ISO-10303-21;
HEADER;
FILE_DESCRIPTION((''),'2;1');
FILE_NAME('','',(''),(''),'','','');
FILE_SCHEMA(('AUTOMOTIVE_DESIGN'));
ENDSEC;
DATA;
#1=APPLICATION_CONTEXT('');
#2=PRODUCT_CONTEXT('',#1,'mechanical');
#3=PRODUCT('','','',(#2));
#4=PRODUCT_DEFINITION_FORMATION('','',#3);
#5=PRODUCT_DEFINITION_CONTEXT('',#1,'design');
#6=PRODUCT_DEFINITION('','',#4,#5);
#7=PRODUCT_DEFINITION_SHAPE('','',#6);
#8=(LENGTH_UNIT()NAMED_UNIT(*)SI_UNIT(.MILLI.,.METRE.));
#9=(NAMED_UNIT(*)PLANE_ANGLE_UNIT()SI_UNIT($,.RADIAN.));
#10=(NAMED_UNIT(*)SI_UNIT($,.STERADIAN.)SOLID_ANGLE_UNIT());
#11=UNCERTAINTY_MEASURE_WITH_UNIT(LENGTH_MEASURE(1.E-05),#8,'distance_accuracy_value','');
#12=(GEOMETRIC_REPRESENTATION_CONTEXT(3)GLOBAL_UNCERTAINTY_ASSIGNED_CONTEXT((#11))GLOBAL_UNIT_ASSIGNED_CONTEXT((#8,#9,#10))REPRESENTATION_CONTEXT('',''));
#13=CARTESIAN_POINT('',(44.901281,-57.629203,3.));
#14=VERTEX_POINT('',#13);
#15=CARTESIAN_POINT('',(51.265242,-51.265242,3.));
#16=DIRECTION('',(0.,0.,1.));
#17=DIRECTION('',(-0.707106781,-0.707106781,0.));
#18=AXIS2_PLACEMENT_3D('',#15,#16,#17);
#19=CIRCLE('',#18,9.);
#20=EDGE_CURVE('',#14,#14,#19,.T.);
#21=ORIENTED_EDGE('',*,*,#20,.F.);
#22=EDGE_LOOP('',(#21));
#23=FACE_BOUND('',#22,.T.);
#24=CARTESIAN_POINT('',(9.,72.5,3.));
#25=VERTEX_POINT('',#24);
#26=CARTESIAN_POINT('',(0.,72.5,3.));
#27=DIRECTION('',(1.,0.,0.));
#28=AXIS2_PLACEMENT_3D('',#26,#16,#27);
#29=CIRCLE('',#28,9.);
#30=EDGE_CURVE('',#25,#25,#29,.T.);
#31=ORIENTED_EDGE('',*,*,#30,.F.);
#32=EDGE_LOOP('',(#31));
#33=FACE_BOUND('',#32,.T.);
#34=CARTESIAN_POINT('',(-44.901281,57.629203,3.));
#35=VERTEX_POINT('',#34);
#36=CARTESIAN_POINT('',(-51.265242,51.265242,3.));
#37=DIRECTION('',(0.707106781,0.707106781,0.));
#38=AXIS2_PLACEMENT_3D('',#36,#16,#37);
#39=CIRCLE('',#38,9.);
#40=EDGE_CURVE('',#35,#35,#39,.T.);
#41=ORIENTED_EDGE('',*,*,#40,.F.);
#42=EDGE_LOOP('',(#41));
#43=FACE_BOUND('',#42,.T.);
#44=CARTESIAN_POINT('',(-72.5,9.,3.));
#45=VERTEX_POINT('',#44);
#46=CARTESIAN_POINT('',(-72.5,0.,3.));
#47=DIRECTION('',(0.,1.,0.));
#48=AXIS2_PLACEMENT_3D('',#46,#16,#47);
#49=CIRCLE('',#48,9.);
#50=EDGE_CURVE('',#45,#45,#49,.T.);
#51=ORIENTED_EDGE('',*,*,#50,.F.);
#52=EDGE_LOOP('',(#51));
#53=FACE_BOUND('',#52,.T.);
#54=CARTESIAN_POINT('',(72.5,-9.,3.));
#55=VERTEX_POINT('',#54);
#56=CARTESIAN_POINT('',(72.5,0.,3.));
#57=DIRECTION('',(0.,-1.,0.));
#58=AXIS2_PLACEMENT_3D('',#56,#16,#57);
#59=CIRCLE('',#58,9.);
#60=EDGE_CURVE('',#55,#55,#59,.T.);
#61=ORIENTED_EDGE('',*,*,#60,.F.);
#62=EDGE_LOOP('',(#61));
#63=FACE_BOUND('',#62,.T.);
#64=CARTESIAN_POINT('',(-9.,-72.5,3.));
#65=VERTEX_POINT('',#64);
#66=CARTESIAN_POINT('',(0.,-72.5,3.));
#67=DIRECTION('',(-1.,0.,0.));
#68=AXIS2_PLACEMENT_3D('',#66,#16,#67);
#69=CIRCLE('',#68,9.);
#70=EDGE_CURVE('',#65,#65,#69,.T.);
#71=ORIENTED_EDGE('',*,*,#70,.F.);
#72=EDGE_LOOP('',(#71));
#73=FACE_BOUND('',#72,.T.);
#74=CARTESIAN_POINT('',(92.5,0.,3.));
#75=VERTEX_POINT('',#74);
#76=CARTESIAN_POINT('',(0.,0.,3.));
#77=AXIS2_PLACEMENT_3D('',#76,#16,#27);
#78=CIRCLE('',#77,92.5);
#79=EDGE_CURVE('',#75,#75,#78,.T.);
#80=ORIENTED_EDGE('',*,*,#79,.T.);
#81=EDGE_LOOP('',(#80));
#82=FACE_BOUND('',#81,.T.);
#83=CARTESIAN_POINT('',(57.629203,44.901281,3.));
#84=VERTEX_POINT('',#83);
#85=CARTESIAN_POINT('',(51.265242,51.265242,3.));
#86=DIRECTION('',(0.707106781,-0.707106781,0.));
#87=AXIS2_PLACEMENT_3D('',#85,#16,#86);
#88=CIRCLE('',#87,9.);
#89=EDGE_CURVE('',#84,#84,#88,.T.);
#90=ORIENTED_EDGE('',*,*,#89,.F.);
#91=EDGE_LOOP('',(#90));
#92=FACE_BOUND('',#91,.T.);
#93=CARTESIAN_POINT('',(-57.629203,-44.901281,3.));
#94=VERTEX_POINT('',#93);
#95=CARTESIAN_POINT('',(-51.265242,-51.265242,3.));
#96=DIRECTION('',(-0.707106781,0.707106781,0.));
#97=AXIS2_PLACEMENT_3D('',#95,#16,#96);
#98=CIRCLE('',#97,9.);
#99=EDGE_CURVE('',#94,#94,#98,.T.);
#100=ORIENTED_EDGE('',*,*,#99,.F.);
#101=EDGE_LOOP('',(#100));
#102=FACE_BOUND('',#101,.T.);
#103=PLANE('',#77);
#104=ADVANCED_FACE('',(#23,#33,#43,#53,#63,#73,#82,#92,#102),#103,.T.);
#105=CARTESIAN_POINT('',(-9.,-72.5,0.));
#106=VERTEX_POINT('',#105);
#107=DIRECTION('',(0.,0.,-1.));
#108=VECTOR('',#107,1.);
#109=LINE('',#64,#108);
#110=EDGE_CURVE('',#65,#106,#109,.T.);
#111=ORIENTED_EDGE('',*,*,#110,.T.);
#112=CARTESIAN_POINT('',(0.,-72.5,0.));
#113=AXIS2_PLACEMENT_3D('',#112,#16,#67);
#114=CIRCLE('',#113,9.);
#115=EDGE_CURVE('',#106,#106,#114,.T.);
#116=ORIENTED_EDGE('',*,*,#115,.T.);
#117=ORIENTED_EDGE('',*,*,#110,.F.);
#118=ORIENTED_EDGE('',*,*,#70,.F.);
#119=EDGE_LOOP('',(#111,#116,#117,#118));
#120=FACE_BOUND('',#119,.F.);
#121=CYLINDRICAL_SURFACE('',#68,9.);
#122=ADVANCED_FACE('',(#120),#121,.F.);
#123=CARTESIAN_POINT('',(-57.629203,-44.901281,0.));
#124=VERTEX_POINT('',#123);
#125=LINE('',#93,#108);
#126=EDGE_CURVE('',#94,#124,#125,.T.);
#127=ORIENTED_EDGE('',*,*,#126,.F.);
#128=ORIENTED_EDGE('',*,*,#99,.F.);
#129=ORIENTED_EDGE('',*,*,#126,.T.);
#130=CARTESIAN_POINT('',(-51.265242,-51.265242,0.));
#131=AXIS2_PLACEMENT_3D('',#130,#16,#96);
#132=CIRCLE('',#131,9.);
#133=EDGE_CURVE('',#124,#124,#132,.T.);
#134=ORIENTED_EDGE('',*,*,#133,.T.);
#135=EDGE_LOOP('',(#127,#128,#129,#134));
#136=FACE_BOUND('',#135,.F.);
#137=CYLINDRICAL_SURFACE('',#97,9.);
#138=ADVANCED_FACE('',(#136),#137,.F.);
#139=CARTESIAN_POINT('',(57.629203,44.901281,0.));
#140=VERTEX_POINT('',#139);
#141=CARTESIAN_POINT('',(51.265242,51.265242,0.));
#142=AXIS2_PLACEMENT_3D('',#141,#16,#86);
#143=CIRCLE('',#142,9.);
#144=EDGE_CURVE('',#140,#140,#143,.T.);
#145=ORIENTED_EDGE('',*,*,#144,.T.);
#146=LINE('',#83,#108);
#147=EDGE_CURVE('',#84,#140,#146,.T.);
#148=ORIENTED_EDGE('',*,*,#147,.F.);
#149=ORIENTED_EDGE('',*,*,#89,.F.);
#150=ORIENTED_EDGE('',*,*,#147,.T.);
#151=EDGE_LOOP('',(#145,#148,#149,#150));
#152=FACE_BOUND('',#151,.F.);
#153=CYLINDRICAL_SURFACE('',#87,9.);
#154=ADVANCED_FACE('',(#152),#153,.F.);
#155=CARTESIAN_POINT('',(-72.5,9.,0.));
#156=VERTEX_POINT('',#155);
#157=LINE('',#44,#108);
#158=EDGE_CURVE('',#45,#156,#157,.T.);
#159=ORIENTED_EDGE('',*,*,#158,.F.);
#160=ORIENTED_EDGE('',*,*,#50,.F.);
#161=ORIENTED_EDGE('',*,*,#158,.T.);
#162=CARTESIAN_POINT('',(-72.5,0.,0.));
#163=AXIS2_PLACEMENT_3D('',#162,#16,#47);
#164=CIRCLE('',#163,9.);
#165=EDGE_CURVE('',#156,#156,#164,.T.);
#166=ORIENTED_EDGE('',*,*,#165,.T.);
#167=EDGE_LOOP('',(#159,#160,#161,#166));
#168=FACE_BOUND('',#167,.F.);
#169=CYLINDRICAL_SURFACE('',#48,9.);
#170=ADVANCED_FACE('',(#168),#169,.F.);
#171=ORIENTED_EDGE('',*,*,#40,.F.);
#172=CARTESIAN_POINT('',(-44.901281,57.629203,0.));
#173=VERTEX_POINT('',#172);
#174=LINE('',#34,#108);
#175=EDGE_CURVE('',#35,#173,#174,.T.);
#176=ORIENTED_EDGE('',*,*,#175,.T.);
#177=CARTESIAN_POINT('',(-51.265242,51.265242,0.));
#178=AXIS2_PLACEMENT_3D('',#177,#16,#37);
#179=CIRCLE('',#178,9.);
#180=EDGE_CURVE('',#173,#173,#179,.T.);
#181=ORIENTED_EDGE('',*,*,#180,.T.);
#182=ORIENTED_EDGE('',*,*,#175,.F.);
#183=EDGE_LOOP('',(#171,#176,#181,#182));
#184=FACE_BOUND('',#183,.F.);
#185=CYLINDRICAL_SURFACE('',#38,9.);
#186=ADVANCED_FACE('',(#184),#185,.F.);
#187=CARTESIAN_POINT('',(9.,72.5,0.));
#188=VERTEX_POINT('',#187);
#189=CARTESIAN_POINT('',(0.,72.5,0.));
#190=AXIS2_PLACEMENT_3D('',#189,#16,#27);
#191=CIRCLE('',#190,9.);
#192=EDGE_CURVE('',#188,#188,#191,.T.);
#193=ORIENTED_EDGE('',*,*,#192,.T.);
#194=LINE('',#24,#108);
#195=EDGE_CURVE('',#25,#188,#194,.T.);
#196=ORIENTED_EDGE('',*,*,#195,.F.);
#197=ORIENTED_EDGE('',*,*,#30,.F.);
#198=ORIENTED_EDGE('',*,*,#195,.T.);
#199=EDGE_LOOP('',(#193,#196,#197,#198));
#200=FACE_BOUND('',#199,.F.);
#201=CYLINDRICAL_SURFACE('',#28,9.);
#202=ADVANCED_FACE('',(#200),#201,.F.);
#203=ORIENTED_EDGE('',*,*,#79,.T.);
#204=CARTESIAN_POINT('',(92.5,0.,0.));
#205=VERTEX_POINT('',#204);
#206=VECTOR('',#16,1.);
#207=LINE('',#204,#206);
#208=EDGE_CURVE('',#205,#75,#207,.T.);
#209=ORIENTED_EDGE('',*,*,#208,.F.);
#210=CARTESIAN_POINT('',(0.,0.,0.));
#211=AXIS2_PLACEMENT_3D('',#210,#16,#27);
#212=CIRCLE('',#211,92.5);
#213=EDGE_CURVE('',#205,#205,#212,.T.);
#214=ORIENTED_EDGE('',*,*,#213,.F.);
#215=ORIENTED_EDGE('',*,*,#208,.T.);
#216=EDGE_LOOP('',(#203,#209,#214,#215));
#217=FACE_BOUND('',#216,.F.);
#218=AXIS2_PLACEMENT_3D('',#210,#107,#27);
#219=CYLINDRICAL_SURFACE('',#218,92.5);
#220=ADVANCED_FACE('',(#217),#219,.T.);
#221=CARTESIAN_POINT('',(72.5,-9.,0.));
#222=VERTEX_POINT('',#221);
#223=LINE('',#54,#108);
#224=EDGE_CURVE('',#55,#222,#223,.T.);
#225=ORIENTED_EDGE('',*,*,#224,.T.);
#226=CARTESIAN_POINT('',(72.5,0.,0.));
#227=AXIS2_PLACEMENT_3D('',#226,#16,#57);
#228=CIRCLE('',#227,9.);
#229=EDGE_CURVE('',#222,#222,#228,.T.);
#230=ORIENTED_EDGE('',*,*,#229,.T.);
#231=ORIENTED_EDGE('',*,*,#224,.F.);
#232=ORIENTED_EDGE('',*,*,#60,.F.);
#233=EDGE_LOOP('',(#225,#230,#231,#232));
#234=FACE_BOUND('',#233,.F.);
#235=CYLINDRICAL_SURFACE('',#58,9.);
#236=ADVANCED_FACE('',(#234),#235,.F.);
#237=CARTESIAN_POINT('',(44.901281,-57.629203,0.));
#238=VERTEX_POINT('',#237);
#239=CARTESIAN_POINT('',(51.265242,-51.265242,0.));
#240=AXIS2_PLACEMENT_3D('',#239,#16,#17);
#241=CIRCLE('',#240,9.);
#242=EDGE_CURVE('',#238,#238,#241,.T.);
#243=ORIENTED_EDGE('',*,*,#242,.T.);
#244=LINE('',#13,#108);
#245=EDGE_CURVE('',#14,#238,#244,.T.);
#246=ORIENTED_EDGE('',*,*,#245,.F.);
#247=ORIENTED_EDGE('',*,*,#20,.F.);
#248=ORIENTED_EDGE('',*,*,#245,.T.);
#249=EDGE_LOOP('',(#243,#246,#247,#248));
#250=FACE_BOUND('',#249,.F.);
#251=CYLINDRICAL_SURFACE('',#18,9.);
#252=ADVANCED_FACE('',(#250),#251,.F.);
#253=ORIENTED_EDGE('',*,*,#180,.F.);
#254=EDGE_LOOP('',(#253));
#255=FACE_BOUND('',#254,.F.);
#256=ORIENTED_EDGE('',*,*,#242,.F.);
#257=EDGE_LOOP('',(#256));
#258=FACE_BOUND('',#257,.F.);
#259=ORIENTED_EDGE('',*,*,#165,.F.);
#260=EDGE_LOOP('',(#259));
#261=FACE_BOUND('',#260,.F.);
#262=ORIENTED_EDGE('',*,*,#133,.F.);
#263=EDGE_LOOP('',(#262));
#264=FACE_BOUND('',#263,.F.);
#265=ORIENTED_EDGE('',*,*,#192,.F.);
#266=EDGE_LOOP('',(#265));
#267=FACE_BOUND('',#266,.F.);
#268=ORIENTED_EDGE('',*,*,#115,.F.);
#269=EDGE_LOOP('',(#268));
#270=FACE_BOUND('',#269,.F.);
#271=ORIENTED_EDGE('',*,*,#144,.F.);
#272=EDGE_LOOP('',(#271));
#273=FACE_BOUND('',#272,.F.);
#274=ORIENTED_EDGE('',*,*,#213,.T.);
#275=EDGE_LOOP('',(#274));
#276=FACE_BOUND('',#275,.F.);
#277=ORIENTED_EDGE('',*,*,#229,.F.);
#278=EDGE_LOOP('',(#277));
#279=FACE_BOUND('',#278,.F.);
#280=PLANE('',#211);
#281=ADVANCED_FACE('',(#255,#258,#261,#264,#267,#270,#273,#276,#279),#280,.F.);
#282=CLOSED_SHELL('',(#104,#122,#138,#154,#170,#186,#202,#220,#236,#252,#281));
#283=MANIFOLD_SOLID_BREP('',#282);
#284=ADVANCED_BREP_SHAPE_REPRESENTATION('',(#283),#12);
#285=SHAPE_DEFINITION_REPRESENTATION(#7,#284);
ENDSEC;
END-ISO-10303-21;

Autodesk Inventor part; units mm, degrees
ref_plane "YZ Plane" through (0, 0, 0) normal (1, 0, 0) x (0, 1, 0)
ref_plane "XZ Plane" through (0, 0, 0) normal (0, 1, 0) x (-1, 0, 0)
ref_plane "XY Plane" through (0, 0, 0) normal (0, 0, 1) x (1, 0, 0)
sketch "Sketch1" plane through (0, 0, 0) normal (0, 0, 1) x (1, 0, 0)
  circle A0 centre (0, 0) radius 92.5
  dimension "d22" = 185
extrude "Plate1" add sketch "Sketch1" along normal blind 3
sketch "Sketch5" plane through (0, 0, 3) normal (0, 0, 1) x (1, 0, 0)
  circle A0 centre (0, 0) radius 92.5 projected
  circle A1 centre (0, 72.5) radius 9
  circle A2 centre (0, 0) radius 72.5 construction
  dimension "d23" = 18
  dimension "d30" = 20
extrude "Cut1" cut sketch "Sketch5" against normal blind 3 contours A1
pattern_circular "Circular Pattern1" count 8 over 360 about axis through (0, 0, 0) along (0, 0, 1) of "Cut1"
equation "\"d25\" = Thickness"
equation "\"d2\" = Thickness"
equation "\"BendReliefWidth\" = Thickness"
equation "\"BendReliefDepth\" = 0.5 * Thickness"
equation "\"CornerReliefSize\" = 4 * Thickness"
equation "\"MinimumRemnant\" = 2 * Thickness"
equation "\"TransitionRadius\" = BendRadius"
equation "\"JacobiRadiusSize\" = BendRadius"
equation "\"GapSize\" = Thickness"
equation "\"Thickness\" = 3"
equation "\"BendRadius\" = 5"
properties part number "MSC 921 plug 76" material "Stainless Steel"
